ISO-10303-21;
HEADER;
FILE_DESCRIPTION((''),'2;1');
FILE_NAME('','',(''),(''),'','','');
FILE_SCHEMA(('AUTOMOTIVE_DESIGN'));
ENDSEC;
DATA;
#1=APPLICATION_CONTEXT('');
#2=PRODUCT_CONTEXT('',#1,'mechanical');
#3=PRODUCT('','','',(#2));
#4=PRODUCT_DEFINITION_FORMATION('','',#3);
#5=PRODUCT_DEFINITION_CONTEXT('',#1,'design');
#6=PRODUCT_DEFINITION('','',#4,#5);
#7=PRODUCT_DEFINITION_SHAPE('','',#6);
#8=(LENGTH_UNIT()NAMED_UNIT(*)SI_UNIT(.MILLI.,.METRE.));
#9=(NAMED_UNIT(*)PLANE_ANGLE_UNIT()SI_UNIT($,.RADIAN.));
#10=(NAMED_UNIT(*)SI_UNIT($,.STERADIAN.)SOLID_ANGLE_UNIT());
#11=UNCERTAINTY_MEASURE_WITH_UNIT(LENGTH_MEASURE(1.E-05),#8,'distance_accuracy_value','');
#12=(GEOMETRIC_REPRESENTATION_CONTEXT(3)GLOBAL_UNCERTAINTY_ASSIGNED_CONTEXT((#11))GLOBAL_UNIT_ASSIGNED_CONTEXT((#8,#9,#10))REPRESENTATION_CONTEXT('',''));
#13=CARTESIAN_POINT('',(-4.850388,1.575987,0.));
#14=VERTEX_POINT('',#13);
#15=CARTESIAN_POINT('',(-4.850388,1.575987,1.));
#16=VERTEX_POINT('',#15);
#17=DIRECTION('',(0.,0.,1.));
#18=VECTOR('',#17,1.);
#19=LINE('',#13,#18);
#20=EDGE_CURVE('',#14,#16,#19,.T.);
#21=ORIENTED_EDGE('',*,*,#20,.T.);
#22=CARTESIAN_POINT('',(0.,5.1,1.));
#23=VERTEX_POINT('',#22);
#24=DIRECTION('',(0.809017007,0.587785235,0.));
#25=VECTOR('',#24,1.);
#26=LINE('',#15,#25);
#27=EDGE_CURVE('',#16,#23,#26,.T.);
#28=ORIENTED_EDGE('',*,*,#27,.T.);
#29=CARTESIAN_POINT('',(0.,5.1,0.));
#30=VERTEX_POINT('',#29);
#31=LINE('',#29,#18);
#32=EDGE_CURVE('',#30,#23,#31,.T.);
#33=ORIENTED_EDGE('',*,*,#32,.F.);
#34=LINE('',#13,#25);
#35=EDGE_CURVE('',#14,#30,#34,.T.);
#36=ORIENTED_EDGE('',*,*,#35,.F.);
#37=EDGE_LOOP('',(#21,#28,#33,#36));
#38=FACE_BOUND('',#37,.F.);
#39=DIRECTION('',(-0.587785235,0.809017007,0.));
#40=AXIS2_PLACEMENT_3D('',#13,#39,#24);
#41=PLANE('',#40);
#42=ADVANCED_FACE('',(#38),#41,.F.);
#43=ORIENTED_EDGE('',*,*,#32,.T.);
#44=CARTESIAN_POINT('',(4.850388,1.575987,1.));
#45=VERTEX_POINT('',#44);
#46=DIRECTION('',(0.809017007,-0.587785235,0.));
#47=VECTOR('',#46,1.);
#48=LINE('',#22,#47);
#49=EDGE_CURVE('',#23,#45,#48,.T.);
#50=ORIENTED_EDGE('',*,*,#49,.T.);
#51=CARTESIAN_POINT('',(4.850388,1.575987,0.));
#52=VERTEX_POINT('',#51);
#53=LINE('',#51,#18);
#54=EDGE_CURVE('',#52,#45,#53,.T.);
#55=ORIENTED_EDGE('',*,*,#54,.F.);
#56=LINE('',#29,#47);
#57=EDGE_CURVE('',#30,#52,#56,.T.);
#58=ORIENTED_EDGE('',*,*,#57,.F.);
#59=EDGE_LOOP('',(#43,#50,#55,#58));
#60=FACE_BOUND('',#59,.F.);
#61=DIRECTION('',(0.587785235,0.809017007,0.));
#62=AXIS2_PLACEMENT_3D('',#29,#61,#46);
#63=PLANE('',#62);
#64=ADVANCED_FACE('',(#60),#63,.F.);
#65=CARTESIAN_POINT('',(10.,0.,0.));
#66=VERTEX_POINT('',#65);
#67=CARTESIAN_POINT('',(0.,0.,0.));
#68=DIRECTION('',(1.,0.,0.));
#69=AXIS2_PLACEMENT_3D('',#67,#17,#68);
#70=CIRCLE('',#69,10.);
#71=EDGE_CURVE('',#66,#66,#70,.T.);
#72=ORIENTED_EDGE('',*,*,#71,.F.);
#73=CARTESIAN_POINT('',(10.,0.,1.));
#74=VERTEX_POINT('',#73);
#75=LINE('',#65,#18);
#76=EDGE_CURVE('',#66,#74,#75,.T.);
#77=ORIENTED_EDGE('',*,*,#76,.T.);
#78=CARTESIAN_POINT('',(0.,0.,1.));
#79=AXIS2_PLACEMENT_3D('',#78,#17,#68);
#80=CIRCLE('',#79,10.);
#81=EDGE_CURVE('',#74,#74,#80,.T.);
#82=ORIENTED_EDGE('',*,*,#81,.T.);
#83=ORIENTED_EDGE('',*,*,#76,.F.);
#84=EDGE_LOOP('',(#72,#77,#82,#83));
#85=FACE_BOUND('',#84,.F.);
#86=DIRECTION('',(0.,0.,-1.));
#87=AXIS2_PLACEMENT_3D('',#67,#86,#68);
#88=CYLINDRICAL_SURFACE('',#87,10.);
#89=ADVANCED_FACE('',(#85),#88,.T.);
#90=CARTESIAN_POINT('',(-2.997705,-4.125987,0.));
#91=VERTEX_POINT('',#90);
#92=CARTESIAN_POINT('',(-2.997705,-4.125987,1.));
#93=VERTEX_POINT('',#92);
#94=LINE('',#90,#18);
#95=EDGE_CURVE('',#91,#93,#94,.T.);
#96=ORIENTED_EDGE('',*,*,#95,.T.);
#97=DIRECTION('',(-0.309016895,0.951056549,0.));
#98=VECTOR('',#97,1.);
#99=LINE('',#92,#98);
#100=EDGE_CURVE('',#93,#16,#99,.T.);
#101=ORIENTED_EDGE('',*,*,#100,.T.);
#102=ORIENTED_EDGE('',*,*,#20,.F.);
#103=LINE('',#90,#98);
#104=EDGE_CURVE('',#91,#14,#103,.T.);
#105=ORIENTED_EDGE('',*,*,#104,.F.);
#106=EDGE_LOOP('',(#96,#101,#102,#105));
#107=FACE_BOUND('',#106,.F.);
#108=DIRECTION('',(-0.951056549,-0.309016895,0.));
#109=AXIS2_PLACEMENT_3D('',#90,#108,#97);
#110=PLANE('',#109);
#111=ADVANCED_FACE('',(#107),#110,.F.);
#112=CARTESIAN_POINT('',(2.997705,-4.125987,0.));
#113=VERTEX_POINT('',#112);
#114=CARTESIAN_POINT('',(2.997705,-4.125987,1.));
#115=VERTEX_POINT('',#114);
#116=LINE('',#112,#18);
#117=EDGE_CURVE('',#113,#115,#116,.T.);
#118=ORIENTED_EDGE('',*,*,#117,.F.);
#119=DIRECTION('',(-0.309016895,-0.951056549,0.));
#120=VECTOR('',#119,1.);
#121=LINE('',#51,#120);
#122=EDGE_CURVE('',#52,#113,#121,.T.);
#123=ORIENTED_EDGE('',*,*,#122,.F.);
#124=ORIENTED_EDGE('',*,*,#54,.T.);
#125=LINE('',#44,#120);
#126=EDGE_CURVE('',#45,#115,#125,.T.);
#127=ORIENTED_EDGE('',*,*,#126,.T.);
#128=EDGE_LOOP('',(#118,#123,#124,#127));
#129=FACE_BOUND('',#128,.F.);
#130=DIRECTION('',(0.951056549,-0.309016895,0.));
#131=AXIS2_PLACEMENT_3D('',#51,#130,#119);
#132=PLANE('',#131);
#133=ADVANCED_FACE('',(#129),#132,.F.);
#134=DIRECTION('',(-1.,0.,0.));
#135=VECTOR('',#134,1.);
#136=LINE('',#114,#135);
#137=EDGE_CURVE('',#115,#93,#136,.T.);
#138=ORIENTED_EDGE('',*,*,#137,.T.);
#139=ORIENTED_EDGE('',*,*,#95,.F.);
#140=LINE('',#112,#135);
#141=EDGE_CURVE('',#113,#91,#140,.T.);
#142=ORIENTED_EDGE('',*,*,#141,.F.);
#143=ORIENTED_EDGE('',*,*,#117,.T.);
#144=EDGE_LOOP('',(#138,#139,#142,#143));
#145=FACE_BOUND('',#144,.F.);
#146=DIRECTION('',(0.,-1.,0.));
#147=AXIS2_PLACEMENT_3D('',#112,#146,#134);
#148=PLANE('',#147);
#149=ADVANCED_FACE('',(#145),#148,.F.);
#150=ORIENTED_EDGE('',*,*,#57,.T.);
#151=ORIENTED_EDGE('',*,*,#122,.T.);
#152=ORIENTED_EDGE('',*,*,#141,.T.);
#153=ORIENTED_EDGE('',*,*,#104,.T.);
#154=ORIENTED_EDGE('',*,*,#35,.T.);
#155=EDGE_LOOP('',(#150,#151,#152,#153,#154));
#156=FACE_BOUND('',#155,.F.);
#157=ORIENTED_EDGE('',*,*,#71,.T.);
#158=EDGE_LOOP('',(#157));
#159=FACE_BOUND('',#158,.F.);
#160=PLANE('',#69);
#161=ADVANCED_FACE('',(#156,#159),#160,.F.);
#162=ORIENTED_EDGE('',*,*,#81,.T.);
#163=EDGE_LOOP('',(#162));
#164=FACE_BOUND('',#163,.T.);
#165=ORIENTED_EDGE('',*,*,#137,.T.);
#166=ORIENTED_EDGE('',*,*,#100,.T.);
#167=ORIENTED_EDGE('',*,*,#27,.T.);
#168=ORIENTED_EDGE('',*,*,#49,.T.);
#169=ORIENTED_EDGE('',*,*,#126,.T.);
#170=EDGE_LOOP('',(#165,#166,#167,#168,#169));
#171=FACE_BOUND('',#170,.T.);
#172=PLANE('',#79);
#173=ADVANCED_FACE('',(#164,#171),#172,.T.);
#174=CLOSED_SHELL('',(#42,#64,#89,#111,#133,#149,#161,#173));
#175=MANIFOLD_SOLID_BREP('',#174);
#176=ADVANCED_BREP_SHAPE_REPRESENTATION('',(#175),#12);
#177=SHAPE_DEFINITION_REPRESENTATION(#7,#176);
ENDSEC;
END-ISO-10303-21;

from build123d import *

# Parameters (mm, degrees)
F0_R     = 10
F1_DEPTH = 1


with BuildPart() as f1:
    # F0 (on Top) → F1 (new body)
    with BuildSketch(Plane.XY):
        Circle(F0_R)
        Polygon((0, 5.1), (4.850388, 1.575987), (2.997705, -4.125987), (-2.997705, -4.125987), (-4.850388, 1.575987), align=None, mode=Mode.SUBTRACT)
    extrude(amount=F1_DEPTH)


solid = f1.part
